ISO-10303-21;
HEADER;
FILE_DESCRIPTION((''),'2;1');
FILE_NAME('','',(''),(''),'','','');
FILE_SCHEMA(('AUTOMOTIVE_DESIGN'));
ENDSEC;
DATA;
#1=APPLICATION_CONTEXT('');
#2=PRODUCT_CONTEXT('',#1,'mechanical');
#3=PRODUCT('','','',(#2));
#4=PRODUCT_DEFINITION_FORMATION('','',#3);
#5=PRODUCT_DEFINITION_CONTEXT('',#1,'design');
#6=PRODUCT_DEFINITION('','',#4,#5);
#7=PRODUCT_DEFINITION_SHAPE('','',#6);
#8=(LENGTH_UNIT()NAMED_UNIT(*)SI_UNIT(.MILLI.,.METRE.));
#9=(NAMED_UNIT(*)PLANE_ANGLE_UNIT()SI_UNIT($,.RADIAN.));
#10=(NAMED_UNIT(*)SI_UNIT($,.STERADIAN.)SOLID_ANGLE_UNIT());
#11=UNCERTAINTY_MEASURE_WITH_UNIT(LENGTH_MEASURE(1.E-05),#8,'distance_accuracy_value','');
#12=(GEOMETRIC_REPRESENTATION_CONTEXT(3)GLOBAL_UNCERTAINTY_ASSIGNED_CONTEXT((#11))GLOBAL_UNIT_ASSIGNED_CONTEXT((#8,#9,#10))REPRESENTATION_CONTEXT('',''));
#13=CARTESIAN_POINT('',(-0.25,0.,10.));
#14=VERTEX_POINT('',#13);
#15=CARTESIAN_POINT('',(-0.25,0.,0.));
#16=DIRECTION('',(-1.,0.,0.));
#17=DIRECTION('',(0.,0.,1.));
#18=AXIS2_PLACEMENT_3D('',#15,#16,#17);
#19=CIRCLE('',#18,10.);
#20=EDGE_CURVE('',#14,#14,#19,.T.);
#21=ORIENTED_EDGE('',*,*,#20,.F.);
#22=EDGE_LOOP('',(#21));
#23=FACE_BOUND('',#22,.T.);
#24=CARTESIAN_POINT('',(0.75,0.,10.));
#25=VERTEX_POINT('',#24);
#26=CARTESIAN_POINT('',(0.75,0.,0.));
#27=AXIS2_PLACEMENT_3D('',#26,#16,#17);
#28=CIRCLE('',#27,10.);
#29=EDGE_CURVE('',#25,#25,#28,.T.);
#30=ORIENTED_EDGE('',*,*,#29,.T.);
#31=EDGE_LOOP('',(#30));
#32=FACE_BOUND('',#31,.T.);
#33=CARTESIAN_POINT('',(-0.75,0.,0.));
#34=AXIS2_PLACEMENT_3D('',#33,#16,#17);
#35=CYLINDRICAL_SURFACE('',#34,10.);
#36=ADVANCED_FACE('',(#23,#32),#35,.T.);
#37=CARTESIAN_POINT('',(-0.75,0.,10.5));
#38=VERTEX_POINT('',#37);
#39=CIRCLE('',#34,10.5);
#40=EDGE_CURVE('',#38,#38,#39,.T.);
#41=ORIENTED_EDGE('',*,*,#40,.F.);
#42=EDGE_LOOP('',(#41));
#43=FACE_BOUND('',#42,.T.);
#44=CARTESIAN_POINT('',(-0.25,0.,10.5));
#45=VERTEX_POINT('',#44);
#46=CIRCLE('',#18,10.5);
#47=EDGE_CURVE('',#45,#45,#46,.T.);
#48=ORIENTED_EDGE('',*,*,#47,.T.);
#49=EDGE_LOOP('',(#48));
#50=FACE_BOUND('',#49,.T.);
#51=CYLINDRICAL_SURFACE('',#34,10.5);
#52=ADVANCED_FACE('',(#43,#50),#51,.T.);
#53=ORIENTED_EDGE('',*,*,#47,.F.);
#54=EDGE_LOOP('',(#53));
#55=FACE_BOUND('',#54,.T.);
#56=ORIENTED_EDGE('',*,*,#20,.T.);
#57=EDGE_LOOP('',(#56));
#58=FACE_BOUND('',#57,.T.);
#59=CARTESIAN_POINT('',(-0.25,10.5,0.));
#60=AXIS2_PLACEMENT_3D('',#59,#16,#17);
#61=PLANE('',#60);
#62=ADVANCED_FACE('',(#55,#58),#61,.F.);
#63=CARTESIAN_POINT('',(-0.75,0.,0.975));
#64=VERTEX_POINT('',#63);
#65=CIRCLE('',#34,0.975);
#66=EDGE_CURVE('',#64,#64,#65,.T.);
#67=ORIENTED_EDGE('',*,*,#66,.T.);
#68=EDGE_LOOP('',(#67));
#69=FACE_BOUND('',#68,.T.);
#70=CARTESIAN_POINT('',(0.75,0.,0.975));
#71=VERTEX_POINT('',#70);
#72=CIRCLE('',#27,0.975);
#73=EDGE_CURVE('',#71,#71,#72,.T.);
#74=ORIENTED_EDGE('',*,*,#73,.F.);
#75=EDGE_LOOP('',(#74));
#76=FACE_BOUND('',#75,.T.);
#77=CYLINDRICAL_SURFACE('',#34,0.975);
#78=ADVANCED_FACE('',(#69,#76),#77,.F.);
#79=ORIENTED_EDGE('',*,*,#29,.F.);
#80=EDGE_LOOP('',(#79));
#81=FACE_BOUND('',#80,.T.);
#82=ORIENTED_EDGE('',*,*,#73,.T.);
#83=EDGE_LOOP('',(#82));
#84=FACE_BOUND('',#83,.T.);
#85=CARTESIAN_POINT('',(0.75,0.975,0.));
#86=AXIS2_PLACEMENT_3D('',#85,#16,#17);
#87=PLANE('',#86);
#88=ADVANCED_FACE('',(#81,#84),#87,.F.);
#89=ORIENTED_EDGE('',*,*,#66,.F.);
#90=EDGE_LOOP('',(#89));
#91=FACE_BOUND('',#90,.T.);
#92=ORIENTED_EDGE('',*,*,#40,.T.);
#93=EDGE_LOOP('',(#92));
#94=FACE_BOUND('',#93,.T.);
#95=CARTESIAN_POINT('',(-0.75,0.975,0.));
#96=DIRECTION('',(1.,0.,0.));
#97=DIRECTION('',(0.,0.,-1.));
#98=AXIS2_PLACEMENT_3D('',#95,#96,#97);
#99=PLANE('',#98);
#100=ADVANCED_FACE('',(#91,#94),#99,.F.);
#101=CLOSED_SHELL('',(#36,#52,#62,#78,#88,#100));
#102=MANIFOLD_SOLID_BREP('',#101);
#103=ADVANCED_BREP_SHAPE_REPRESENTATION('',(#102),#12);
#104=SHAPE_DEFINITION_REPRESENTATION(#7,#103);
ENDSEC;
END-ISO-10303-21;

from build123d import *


with BuildPart() as part:
    # Sketch1 → Revolve1 (revolve)
    with BuildSketch(Plane.XY, mode=Mode.PRIVATE) as revolve1_sk:
        Polygon((-0.75, 10.5), (-0.25, 10.5), (-0.25, 10), (0.75, 10), (0.75, 0.975), (-0.75, 0.975), align=None)
    revolve(revolve1_sk.sketch.rotate(Axis((-0.75, 0, 0), (1, 0, 0)), 90), axis=Axis((-0.75, 0, 0), (1, 0, 0)))


solid = part.part
